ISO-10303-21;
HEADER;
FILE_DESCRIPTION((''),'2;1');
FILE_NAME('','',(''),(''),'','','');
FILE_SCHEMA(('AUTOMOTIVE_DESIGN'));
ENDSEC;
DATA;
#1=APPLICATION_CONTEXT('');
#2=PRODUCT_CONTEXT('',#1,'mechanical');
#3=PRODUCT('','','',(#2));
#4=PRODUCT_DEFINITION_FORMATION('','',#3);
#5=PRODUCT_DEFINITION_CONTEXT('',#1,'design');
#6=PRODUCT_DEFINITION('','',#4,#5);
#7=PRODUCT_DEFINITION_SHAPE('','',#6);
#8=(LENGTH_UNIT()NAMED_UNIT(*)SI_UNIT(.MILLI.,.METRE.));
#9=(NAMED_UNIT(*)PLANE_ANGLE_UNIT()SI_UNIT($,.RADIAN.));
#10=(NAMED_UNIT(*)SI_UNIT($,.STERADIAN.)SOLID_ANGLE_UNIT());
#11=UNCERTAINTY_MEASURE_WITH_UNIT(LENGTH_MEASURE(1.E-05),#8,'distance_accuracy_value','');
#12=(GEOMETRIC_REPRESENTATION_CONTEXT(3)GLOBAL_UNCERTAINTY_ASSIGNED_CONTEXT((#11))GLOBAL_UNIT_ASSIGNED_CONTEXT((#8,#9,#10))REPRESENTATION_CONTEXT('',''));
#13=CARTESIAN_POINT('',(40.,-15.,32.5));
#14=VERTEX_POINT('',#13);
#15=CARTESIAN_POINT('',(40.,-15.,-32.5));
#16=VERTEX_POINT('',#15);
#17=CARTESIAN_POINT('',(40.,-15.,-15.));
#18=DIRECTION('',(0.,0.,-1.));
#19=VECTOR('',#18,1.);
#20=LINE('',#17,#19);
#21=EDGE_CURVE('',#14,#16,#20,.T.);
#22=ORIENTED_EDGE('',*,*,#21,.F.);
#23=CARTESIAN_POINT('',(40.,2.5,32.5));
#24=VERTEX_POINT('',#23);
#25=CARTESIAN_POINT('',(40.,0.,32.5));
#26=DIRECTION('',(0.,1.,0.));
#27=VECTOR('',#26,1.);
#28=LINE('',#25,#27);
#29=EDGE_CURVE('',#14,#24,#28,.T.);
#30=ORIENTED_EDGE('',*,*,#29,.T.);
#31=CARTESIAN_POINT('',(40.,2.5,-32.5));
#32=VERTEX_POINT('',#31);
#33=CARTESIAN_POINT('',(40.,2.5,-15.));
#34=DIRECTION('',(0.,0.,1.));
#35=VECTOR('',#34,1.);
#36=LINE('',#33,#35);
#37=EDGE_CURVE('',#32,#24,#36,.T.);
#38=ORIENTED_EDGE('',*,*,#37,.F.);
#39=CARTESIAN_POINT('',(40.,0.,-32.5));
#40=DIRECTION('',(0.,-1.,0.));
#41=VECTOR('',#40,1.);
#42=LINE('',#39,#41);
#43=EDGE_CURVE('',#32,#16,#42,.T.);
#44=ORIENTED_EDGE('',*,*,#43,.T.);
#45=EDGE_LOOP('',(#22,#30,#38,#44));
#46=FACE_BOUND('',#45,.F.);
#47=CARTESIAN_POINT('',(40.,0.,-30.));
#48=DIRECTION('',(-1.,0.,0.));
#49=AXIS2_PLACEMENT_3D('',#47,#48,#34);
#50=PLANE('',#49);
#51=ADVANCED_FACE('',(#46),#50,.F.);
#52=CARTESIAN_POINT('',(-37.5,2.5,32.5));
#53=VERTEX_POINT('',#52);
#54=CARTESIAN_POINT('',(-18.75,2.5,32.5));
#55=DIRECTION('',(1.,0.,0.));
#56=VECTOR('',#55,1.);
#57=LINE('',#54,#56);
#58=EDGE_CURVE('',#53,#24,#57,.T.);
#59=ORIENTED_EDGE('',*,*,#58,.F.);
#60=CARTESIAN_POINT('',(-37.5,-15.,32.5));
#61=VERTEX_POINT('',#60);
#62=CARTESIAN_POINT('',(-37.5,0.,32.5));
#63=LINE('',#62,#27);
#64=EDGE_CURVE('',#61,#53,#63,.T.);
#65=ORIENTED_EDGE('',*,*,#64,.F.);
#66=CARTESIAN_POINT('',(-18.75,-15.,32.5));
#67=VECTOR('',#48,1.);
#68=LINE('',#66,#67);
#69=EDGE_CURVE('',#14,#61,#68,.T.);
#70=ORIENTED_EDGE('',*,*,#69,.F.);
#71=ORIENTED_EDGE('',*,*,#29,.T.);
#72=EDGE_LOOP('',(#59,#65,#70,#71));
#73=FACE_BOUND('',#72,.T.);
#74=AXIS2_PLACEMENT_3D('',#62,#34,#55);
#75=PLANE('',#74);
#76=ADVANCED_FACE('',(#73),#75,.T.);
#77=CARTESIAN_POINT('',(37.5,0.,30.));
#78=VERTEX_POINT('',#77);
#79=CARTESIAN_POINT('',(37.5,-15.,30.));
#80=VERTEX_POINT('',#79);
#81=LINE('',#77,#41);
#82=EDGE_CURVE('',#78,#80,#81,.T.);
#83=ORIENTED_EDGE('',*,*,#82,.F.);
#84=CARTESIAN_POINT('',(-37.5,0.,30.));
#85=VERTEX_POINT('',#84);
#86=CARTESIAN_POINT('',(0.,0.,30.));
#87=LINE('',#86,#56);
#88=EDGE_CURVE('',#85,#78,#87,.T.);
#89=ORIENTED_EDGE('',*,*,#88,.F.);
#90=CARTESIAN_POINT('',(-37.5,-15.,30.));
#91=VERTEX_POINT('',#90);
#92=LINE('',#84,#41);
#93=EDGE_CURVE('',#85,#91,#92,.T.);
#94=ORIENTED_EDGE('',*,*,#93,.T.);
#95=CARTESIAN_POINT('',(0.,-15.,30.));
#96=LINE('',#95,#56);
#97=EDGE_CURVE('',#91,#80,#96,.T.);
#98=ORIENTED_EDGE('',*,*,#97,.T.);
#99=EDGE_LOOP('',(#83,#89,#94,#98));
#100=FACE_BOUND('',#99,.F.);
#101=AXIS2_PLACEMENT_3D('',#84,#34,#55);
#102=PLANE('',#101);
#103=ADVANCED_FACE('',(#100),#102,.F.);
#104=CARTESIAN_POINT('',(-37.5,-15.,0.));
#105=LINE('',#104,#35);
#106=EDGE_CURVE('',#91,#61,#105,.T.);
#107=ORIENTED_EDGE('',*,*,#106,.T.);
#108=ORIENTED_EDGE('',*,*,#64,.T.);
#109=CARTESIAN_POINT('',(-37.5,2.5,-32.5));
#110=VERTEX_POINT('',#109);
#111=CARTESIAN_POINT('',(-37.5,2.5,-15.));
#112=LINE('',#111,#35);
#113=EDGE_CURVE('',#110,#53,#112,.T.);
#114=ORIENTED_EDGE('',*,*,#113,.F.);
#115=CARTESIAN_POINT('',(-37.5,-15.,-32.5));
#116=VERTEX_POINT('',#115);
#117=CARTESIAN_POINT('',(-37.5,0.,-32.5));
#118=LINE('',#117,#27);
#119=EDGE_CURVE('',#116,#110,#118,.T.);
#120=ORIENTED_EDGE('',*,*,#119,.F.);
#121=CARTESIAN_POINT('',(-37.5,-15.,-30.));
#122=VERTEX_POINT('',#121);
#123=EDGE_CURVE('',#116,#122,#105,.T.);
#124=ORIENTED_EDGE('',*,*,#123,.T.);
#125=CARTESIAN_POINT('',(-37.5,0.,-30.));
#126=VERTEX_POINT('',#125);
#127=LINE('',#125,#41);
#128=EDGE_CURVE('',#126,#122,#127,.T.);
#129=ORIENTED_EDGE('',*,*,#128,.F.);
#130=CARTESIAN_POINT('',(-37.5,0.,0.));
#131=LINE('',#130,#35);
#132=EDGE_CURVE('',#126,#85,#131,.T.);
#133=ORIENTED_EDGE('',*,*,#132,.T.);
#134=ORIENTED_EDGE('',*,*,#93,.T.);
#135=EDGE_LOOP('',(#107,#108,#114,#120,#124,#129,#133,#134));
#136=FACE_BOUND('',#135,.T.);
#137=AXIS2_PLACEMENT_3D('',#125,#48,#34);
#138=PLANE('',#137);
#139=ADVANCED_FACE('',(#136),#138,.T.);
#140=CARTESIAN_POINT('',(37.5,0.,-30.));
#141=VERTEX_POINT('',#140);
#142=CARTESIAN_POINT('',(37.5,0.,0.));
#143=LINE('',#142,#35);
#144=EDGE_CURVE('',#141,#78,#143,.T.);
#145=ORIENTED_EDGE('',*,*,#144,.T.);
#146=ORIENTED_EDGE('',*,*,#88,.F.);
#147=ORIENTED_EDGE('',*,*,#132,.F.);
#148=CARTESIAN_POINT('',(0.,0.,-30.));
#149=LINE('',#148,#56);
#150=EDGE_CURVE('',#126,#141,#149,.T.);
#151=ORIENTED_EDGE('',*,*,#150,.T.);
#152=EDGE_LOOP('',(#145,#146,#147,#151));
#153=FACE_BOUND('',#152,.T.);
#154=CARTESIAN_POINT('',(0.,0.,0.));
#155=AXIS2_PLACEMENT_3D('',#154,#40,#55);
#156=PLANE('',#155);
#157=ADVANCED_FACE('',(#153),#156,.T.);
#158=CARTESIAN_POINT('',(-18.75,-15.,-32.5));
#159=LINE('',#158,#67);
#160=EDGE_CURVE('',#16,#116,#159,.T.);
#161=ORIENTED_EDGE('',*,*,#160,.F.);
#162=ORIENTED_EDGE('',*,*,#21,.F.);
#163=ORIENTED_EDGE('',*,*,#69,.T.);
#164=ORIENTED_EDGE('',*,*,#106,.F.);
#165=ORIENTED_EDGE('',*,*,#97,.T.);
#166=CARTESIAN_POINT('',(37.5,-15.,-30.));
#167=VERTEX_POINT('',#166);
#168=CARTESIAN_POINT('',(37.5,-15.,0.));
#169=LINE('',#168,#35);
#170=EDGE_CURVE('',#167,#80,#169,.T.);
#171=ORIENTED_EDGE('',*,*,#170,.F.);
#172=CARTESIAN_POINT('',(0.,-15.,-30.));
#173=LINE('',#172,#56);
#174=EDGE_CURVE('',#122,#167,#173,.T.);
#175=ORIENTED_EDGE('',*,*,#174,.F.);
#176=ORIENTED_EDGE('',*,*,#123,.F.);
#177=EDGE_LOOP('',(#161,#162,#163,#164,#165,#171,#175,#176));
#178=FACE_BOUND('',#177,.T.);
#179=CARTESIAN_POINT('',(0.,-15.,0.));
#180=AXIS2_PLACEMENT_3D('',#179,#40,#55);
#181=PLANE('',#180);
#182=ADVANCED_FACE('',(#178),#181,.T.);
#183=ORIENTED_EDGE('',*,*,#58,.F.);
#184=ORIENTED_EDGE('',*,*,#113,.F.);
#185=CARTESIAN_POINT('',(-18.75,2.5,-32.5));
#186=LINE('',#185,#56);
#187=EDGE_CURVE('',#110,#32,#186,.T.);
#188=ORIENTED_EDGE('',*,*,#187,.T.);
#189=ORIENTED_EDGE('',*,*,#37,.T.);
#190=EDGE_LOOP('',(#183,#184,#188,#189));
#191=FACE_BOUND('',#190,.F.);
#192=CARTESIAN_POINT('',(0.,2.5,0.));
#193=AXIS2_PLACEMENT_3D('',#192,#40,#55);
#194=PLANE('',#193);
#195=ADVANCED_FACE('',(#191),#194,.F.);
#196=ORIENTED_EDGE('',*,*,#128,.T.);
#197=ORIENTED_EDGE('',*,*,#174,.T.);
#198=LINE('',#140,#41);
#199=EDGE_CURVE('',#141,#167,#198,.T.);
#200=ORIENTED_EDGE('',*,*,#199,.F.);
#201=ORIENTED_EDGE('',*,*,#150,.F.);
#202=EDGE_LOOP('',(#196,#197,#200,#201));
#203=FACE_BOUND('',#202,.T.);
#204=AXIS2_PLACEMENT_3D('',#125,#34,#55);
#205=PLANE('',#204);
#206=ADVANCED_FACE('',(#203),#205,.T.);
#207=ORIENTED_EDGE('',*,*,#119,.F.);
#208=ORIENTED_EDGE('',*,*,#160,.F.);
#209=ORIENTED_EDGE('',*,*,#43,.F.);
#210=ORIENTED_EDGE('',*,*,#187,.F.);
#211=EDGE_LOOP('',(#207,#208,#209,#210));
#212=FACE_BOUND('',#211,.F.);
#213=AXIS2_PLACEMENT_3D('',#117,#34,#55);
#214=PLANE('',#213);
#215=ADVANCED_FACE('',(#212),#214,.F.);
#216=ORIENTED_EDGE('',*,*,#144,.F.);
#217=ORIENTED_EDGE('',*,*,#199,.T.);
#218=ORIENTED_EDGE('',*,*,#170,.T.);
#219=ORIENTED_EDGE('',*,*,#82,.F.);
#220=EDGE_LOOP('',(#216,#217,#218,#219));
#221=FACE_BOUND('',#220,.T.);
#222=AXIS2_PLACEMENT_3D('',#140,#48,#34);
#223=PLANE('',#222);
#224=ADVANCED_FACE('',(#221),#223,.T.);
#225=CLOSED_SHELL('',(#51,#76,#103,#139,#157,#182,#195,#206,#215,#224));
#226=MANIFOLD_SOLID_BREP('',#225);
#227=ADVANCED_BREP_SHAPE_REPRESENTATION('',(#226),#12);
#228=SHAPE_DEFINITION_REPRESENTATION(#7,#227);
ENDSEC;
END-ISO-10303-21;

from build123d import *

# Parameters (mm, degrees)
F0_W     = 75
F0_H     = 60
F1_DEPTH = 15
F2_T     = 2.5


with BuildPart() as f1:
    # F0 (on Front) → F1 (new body)
    with BuildSketch(Plane.XZ):
        Rectangle(F0_W, F0_H)
    extrude(amount=F1_DEPTH)

    # F2
    f2_openings = [f1.faces().sort_by_distance(p)[0] for p in [
        (0, -15, 0),
        (-37.5, -7.5, 0),
    ]]
    offset(amount=F2_T, openings=f2_openings, kind=Kind.INTERSECTION)


solid = f1.part
